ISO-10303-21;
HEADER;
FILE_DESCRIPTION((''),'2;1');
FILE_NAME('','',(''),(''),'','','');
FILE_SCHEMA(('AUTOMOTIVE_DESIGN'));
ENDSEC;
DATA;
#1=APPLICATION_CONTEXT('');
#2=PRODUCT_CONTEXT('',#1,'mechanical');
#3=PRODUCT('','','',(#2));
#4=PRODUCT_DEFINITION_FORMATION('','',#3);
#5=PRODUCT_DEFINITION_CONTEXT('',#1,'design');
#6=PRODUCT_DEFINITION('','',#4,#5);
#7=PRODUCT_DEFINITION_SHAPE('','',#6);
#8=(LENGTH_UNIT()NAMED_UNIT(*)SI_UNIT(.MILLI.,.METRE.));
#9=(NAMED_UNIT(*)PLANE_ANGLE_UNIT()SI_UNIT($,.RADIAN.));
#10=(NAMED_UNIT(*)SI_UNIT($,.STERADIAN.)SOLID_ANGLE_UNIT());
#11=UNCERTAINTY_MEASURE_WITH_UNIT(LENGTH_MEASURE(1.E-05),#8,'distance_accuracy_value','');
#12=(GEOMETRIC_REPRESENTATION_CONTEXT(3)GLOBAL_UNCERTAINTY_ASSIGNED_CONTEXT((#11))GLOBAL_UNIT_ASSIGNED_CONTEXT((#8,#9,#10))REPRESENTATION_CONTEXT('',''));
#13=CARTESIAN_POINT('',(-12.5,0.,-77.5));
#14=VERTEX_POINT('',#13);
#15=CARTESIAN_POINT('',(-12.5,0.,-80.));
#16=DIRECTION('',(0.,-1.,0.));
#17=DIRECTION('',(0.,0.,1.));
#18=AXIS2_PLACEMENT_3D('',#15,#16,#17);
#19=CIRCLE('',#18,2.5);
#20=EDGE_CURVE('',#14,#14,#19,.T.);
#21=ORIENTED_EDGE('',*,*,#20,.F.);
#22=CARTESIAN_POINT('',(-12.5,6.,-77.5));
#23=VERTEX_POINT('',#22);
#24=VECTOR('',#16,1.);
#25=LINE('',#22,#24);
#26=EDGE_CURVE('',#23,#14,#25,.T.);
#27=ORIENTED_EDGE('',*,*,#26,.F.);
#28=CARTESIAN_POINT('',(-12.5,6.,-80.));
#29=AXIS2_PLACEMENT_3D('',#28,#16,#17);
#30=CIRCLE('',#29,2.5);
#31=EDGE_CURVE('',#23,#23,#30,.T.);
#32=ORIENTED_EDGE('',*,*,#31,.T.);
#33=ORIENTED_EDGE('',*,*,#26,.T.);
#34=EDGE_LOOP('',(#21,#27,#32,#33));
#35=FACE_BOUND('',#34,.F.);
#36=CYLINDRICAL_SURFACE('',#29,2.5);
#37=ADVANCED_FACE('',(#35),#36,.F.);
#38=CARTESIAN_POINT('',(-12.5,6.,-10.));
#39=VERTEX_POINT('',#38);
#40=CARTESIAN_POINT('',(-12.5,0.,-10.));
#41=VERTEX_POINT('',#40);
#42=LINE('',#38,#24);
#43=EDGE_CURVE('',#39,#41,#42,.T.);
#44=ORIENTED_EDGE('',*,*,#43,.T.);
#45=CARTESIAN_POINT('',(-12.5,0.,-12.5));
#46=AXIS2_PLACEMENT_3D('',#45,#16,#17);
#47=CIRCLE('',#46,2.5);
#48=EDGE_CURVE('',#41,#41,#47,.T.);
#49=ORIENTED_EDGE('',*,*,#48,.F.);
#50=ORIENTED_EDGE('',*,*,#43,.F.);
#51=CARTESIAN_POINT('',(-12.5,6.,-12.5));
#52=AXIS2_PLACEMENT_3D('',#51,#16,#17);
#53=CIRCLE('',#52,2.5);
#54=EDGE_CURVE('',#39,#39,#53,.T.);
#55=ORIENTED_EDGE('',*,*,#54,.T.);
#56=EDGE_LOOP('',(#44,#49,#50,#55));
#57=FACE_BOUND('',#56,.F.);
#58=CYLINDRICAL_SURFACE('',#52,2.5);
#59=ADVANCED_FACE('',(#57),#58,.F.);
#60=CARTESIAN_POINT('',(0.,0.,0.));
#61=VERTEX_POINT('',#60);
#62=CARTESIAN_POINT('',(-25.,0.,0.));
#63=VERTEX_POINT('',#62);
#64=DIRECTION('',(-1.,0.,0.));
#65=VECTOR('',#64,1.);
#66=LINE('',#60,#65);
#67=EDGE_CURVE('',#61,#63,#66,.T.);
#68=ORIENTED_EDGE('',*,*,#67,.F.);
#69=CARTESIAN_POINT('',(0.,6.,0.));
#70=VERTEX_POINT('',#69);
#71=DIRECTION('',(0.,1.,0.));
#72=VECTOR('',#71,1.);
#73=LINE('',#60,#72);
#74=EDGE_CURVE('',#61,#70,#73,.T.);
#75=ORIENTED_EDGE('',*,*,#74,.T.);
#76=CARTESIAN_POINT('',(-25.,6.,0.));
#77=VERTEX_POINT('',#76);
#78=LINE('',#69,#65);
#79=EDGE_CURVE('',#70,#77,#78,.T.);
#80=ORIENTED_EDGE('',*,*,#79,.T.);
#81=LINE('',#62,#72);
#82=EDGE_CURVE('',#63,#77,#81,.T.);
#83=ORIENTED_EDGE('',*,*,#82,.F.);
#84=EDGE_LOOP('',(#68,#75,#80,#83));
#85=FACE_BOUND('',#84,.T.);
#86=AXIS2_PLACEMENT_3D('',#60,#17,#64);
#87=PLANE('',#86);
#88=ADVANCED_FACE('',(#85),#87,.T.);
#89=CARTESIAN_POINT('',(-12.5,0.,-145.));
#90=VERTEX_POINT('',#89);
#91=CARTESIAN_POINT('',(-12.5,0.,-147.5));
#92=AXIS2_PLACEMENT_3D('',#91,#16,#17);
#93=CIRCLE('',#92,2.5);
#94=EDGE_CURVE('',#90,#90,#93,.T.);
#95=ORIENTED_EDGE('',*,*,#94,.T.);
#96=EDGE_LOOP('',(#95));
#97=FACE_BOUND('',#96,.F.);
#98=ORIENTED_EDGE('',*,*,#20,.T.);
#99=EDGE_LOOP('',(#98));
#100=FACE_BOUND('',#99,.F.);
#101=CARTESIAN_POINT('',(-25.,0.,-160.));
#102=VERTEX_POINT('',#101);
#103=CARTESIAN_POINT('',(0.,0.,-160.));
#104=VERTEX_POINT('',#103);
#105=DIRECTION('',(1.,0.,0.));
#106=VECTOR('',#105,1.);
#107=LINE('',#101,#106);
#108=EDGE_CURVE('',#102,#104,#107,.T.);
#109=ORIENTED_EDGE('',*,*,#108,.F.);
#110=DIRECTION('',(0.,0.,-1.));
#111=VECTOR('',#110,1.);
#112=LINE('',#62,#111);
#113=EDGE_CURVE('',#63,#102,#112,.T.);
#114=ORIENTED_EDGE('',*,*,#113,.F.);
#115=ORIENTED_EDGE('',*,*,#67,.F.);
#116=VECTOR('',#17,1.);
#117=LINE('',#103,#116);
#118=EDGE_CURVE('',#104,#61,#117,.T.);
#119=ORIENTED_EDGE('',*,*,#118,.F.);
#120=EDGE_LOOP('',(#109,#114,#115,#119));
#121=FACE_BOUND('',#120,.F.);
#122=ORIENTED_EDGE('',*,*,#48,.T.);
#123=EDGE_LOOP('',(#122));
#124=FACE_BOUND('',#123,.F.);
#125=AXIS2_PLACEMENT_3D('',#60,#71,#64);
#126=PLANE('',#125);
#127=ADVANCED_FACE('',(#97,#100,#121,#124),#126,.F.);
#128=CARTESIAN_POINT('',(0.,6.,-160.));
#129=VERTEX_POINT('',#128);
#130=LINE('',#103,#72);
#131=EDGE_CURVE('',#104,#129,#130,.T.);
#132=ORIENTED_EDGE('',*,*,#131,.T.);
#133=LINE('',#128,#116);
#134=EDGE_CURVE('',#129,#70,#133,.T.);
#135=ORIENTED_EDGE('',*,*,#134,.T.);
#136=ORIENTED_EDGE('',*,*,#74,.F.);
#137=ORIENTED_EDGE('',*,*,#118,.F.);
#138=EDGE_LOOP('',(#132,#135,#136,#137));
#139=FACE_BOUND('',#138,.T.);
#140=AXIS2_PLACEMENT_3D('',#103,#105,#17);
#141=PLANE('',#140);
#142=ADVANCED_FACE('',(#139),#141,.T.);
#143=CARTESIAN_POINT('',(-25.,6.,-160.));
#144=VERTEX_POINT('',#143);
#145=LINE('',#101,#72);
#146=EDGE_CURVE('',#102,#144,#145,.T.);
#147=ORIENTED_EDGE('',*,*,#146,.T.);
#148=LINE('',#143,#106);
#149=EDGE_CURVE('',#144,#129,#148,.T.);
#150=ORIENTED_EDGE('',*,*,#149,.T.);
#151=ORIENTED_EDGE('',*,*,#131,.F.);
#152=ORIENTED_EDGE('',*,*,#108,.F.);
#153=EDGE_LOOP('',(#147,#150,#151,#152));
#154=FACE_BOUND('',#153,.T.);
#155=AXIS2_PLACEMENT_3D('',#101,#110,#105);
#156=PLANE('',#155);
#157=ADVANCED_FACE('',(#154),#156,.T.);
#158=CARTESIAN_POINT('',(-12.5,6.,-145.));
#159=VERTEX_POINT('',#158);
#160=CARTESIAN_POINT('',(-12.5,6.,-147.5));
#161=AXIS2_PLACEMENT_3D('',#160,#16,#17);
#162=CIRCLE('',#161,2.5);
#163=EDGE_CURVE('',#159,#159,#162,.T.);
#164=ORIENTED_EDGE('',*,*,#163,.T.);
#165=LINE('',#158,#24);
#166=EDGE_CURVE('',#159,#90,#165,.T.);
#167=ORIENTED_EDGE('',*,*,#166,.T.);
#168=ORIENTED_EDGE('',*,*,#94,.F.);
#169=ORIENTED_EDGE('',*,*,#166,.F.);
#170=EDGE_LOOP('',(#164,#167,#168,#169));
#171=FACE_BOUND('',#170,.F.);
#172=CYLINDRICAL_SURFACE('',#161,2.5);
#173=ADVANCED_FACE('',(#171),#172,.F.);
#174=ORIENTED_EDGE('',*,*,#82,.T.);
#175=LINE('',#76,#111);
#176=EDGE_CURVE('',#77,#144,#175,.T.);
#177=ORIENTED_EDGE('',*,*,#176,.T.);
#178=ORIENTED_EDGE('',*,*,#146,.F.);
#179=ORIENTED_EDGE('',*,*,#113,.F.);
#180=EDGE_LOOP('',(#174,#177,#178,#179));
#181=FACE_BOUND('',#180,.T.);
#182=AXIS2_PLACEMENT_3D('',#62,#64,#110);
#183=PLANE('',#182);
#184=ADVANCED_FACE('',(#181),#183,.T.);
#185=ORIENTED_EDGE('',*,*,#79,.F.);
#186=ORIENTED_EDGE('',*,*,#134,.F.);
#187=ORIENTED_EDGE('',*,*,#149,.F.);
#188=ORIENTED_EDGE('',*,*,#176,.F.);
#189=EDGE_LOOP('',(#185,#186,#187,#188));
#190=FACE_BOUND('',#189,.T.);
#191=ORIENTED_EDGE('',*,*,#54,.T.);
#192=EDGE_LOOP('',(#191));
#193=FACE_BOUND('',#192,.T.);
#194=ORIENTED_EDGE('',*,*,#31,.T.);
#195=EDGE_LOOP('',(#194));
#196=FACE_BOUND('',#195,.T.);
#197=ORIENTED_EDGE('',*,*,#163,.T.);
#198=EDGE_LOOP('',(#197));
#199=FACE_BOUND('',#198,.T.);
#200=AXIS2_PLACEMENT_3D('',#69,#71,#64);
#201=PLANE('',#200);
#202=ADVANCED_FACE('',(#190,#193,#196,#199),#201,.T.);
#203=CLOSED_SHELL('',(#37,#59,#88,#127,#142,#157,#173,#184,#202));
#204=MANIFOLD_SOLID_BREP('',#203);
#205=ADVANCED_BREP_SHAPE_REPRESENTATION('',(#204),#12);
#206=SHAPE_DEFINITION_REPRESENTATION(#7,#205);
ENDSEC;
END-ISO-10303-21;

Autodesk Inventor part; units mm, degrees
ref_plane "YZ Plane" through (0, 0, 0) normal (1, 0, 0) x (0, 1, 0)
ref_plane "XZ Plane" through (0, 0, 0) normal (0, 1, 0) x (-1, 0, 0)
ref_plane "XY Plane" through (0, 0, 0) normal (0, 0, 1) x (1, 0, 0)
sketch "Sketch1" plane through (0, 0, 0) normal (0, 1, 0) x (-1, 0, 0)
  line L0 (0, 0) -> (25, 0)
  line L1 (25, 0) -> (25, -160)
  line L2 (25, -160) -> (0, -160)
  line L3 (0, -160) -> (0, 0)
  dimension "d0" = 25
  dimension "d1" = 160
extrude "Extrusion1" add sketch "Sketch1" along normal blind 6
sketch "Sketch2" plane through (0, 6, 0) normal (0, 1, 0) x (1, 0, 0)
  line L0 (-25, 160) -> (-25, 0) projected
  line L1 (-25, 0) -> (0, 0) projected
  line L2 (0, 160) -> (-25, 160) projected
  point P0 (-12.5, 12.5)
  point P1 (-12.5, 147.5)
  dimension "d4" = 25
  dimension "d5" = 160
  dimension "d6" = 12.5
  dimension "d7" = 12.5
  dimension "d8" = 12.5
  dimension "d9" = 12.5
hole "Hole1" at (-12.5, 6, -12.5) at (-12.5, 6, -147.5) direction (0, -1, 0) diameter 5 end through all
sketch "Esboço3" plane through (0, 6, 0) normal (0, 1, 0) x (1, 0, 0)
  line L0 (0, 160) -> (-25, 160) projected
  line L1 (0, 0) -> (0, 160) projected
  line L2 (-25, 160) -> (-25, 0) projected
  line L3 (-25, 0) -> (0, 0) projected
  point P0 (-12.5, 80)
  point P1 (-12.5, 0)
  dimension "d17" = 160
  dimension "d18" = 25
  dimension "d19" = 12.5
  dimension "d20" = 80
hole "Furo2" at (-12.5, 6, -80) direction (0, -1, 0) diameter 5 depth 6
thread "Rosca1" size "M5x0.8" class "6H" standard "ISO Metric profile" length 43.6
thread "Rosca2" size "M5x0.8" class "6H" standard "ISO Metric profile" length 15
equation "\"d6\" = 0.5 * d4"
equation "\"d7\" = d6"
equation "\"d9\" = d8"
equation "\"d15\" = Thickness"
equation "\"d19\" = 0.5 * d18"
equation "\"d20\" = 0.5 * d17"
equation "\"d26\" = Thickness"
equation "\"BendRadius\" = Thickness"
equation "\"BendReliefWidth\" = Thickness"
equation "\"BendReliefDepth\" = 0.5 * Thickness"
equation "\"CornerReliefSize\" = 4 * Thickness"
equation "\"MinimumRemnant\" = 2 * Thickness"
equation "\"TransitionRadius\" = BendRadius"
equation "\"JacobiRadiusSize\" = BendRadius"
equation "\"GapSize\" = Thickness"
equation "\"Thickness\" = 0.5"
properties part number "Suporte mesa" material "Aluminum 6061"
